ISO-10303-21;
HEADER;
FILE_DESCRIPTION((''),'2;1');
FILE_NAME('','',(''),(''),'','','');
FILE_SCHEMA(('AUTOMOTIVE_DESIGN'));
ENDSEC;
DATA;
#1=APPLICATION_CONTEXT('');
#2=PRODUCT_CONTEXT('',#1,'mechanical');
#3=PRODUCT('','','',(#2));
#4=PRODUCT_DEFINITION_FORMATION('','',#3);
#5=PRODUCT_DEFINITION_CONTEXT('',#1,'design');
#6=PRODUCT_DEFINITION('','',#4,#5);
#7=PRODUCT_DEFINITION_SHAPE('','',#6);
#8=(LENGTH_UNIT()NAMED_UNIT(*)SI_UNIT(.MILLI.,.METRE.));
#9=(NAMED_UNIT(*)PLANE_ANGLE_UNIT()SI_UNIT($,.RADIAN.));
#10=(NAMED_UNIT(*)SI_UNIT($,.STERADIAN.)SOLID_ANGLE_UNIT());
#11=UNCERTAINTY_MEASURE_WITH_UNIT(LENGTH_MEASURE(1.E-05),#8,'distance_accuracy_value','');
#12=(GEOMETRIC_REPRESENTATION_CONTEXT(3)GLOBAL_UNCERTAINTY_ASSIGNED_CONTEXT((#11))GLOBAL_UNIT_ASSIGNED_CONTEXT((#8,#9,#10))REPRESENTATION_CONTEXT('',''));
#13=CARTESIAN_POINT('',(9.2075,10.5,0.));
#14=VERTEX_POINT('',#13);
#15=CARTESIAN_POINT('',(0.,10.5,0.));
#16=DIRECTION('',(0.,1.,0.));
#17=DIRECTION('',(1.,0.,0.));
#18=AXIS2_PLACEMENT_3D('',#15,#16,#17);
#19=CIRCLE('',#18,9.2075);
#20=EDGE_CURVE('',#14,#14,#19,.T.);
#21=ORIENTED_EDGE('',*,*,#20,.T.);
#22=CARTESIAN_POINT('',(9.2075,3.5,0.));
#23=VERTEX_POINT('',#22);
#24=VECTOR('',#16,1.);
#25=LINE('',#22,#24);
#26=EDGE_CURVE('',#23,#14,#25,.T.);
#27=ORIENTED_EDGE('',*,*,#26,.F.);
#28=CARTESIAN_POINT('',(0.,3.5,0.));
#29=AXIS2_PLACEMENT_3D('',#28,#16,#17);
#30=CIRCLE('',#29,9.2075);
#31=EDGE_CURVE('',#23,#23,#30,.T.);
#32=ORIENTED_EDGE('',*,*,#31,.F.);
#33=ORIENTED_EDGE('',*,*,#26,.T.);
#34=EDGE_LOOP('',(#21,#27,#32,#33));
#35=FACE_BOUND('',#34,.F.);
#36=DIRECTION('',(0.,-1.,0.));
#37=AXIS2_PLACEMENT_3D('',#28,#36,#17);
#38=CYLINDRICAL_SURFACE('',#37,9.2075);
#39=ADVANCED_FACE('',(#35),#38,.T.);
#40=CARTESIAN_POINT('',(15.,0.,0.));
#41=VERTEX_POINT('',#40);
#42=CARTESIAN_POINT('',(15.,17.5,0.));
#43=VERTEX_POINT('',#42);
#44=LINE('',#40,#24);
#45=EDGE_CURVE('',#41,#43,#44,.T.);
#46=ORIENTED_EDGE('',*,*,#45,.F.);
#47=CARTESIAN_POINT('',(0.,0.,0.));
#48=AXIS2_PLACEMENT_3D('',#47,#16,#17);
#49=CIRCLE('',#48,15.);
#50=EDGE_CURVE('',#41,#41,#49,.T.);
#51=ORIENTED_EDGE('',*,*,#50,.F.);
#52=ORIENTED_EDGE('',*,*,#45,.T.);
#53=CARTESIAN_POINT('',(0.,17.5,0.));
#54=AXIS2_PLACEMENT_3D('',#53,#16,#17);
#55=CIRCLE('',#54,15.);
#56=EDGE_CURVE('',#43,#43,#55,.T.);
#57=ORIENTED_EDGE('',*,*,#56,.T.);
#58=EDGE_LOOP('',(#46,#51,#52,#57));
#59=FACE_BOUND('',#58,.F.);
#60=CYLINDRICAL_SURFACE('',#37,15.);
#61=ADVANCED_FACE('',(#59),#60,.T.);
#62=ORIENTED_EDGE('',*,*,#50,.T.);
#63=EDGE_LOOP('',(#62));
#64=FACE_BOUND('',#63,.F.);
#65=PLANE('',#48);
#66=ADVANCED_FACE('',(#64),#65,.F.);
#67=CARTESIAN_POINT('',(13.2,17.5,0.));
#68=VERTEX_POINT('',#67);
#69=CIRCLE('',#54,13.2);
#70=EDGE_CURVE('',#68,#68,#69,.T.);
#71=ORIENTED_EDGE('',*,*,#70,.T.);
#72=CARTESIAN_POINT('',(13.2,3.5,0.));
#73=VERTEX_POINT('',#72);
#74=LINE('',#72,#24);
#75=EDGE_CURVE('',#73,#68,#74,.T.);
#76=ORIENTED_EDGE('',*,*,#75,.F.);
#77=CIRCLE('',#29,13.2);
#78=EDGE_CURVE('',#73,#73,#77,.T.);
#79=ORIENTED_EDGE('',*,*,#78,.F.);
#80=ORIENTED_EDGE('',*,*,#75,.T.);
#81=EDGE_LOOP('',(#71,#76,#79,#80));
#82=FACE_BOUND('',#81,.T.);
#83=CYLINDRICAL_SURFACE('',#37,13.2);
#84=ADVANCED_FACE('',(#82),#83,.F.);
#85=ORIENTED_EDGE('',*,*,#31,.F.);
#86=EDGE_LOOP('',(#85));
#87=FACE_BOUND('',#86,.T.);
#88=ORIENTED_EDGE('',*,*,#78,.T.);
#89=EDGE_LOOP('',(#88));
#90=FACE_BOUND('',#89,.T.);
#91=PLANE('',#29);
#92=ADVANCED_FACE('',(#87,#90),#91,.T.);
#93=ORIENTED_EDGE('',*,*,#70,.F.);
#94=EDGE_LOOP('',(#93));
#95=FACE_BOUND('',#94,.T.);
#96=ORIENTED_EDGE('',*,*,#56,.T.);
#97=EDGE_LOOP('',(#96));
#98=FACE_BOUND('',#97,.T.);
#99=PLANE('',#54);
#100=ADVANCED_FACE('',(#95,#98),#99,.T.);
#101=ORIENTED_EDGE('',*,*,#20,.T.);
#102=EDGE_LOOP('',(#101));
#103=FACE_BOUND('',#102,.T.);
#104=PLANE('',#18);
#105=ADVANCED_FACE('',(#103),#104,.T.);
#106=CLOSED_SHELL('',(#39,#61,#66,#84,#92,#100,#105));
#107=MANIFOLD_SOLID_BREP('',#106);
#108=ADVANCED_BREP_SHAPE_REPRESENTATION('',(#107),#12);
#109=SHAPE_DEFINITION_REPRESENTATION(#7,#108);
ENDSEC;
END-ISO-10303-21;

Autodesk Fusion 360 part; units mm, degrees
sketch "Sketch1" plane through (0, 0, 0) normal (0, 1, 0) x (1, 0, 0)
  circle A0 centre (0, 0) radius 15
  dimension "d1" = 30
extrude "Extrude1" add sketch "Sketch1" along normal blind 3.5
ref_plane "WorkPlane1" through (0, 3.5, 0) normal (0, 1, 0) x (1, 0, 0)
sketch "Sketch2" plane through (0, 3.5, 0) normal (0, 1, 0) x (1, 0, 0)
  circle A0 centre (0, 0) radius 9.2075
  dimension "d5" = 18.415
extrude "Extrude2" add sketch "Sketch2" along normal blind 7
ref_plane "WorkPlane2" through (0, 3.5, 0) normal (0, 1, 0) x (1, 0, 0)
sketch "Sketch3" plane through (0, 3.5, 0) normal (0, 1, 0) x (1, 0, 0)
  circle A0 centre (0, 0) radius 15
  circle A1 centre (0, 0) radius 13.2
  dimension "d9" = 26.4
extrude "Extrude3" add sketch "Sketch3" along normal blind 14
